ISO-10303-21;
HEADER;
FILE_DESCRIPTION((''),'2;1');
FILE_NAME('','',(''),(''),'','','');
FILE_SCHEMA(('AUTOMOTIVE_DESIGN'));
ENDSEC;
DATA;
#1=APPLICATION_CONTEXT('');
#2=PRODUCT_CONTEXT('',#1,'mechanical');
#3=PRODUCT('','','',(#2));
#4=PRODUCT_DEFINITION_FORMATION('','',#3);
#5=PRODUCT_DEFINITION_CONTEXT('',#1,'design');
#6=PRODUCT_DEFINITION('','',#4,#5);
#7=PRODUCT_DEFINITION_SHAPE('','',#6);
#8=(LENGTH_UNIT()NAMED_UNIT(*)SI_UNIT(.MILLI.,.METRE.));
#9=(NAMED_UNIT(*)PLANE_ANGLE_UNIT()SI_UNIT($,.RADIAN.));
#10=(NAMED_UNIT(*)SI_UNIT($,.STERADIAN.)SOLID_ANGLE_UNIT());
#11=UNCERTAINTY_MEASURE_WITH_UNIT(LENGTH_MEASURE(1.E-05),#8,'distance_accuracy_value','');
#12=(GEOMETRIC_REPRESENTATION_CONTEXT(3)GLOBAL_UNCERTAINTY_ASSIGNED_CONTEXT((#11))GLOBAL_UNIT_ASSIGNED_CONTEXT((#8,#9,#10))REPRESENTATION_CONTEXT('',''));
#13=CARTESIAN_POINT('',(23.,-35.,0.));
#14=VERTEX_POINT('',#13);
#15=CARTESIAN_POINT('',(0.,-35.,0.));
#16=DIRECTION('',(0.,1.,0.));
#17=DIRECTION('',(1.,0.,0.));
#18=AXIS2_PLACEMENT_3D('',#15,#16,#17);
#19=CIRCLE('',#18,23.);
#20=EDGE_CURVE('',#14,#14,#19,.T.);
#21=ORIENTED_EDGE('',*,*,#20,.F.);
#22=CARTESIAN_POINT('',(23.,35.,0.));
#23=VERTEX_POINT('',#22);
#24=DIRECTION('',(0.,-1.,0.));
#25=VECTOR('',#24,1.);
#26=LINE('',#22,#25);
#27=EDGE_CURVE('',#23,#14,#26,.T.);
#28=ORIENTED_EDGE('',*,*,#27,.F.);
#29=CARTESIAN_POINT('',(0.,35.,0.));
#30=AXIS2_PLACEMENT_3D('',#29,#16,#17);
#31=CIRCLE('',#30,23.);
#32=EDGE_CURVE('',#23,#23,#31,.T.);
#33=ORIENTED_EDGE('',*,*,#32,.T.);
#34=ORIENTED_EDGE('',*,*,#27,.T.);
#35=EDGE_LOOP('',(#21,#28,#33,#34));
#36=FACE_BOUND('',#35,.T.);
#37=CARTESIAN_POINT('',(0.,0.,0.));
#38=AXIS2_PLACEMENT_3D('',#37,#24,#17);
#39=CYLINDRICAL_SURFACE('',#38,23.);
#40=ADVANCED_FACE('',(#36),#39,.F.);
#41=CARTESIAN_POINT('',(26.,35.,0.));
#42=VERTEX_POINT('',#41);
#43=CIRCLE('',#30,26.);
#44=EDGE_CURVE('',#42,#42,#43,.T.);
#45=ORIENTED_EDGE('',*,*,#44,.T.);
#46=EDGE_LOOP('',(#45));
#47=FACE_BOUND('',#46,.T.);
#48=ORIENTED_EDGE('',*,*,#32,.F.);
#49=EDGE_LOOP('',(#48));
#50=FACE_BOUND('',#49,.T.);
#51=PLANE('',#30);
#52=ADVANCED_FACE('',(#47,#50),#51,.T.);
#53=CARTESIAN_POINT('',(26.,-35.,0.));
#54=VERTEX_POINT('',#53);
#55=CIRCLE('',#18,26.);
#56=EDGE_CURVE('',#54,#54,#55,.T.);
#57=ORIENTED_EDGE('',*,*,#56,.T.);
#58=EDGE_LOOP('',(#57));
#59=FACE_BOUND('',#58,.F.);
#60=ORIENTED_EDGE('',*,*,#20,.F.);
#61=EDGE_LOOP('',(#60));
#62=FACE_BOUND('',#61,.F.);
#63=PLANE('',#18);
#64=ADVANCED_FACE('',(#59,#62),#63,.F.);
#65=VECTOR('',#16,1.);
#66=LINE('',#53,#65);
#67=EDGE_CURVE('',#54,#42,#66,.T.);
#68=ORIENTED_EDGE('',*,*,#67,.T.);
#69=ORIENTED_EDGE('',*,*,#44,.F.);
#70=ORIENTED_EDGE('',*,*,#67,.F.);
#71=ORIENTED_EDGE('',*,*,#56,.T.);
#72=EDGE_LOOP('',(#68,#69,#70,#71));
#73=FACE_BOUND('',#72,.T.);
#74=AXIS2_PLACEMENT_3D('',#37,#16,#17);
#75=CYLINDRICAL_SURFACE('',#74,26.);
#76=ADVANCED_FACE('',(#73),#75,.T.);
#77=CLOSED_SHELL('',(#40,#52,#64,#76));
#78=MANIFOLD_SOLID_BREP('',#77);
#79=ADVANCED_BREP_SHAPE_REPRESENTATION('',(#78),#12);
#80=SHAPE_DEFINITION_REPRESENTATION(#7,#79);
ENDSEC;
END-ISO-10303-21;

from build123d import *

# Parameters (mm, degrees)
SKETCH1_R           = 26
SKETCH1_R_2         = 23
BOSS_EXTRUDE1_DEPTH = 35


with BuildPart() as part:
    # Sketch1 → Boss-Extrude1 (new body, symmetric)
    with BuildSketch(Plane(origin=(0, 0, 0), x_dir=(1, 0, 0), z_dir=(0, 1, 0))):
        Circle(SKETCH1_R)
        Circle(SKETCH1_R_2, mode=Mode.SUBTRACT)
    extrude(amount=BOSS_EXTRUDE1_DEPTH, both=True)


solid = part.part
